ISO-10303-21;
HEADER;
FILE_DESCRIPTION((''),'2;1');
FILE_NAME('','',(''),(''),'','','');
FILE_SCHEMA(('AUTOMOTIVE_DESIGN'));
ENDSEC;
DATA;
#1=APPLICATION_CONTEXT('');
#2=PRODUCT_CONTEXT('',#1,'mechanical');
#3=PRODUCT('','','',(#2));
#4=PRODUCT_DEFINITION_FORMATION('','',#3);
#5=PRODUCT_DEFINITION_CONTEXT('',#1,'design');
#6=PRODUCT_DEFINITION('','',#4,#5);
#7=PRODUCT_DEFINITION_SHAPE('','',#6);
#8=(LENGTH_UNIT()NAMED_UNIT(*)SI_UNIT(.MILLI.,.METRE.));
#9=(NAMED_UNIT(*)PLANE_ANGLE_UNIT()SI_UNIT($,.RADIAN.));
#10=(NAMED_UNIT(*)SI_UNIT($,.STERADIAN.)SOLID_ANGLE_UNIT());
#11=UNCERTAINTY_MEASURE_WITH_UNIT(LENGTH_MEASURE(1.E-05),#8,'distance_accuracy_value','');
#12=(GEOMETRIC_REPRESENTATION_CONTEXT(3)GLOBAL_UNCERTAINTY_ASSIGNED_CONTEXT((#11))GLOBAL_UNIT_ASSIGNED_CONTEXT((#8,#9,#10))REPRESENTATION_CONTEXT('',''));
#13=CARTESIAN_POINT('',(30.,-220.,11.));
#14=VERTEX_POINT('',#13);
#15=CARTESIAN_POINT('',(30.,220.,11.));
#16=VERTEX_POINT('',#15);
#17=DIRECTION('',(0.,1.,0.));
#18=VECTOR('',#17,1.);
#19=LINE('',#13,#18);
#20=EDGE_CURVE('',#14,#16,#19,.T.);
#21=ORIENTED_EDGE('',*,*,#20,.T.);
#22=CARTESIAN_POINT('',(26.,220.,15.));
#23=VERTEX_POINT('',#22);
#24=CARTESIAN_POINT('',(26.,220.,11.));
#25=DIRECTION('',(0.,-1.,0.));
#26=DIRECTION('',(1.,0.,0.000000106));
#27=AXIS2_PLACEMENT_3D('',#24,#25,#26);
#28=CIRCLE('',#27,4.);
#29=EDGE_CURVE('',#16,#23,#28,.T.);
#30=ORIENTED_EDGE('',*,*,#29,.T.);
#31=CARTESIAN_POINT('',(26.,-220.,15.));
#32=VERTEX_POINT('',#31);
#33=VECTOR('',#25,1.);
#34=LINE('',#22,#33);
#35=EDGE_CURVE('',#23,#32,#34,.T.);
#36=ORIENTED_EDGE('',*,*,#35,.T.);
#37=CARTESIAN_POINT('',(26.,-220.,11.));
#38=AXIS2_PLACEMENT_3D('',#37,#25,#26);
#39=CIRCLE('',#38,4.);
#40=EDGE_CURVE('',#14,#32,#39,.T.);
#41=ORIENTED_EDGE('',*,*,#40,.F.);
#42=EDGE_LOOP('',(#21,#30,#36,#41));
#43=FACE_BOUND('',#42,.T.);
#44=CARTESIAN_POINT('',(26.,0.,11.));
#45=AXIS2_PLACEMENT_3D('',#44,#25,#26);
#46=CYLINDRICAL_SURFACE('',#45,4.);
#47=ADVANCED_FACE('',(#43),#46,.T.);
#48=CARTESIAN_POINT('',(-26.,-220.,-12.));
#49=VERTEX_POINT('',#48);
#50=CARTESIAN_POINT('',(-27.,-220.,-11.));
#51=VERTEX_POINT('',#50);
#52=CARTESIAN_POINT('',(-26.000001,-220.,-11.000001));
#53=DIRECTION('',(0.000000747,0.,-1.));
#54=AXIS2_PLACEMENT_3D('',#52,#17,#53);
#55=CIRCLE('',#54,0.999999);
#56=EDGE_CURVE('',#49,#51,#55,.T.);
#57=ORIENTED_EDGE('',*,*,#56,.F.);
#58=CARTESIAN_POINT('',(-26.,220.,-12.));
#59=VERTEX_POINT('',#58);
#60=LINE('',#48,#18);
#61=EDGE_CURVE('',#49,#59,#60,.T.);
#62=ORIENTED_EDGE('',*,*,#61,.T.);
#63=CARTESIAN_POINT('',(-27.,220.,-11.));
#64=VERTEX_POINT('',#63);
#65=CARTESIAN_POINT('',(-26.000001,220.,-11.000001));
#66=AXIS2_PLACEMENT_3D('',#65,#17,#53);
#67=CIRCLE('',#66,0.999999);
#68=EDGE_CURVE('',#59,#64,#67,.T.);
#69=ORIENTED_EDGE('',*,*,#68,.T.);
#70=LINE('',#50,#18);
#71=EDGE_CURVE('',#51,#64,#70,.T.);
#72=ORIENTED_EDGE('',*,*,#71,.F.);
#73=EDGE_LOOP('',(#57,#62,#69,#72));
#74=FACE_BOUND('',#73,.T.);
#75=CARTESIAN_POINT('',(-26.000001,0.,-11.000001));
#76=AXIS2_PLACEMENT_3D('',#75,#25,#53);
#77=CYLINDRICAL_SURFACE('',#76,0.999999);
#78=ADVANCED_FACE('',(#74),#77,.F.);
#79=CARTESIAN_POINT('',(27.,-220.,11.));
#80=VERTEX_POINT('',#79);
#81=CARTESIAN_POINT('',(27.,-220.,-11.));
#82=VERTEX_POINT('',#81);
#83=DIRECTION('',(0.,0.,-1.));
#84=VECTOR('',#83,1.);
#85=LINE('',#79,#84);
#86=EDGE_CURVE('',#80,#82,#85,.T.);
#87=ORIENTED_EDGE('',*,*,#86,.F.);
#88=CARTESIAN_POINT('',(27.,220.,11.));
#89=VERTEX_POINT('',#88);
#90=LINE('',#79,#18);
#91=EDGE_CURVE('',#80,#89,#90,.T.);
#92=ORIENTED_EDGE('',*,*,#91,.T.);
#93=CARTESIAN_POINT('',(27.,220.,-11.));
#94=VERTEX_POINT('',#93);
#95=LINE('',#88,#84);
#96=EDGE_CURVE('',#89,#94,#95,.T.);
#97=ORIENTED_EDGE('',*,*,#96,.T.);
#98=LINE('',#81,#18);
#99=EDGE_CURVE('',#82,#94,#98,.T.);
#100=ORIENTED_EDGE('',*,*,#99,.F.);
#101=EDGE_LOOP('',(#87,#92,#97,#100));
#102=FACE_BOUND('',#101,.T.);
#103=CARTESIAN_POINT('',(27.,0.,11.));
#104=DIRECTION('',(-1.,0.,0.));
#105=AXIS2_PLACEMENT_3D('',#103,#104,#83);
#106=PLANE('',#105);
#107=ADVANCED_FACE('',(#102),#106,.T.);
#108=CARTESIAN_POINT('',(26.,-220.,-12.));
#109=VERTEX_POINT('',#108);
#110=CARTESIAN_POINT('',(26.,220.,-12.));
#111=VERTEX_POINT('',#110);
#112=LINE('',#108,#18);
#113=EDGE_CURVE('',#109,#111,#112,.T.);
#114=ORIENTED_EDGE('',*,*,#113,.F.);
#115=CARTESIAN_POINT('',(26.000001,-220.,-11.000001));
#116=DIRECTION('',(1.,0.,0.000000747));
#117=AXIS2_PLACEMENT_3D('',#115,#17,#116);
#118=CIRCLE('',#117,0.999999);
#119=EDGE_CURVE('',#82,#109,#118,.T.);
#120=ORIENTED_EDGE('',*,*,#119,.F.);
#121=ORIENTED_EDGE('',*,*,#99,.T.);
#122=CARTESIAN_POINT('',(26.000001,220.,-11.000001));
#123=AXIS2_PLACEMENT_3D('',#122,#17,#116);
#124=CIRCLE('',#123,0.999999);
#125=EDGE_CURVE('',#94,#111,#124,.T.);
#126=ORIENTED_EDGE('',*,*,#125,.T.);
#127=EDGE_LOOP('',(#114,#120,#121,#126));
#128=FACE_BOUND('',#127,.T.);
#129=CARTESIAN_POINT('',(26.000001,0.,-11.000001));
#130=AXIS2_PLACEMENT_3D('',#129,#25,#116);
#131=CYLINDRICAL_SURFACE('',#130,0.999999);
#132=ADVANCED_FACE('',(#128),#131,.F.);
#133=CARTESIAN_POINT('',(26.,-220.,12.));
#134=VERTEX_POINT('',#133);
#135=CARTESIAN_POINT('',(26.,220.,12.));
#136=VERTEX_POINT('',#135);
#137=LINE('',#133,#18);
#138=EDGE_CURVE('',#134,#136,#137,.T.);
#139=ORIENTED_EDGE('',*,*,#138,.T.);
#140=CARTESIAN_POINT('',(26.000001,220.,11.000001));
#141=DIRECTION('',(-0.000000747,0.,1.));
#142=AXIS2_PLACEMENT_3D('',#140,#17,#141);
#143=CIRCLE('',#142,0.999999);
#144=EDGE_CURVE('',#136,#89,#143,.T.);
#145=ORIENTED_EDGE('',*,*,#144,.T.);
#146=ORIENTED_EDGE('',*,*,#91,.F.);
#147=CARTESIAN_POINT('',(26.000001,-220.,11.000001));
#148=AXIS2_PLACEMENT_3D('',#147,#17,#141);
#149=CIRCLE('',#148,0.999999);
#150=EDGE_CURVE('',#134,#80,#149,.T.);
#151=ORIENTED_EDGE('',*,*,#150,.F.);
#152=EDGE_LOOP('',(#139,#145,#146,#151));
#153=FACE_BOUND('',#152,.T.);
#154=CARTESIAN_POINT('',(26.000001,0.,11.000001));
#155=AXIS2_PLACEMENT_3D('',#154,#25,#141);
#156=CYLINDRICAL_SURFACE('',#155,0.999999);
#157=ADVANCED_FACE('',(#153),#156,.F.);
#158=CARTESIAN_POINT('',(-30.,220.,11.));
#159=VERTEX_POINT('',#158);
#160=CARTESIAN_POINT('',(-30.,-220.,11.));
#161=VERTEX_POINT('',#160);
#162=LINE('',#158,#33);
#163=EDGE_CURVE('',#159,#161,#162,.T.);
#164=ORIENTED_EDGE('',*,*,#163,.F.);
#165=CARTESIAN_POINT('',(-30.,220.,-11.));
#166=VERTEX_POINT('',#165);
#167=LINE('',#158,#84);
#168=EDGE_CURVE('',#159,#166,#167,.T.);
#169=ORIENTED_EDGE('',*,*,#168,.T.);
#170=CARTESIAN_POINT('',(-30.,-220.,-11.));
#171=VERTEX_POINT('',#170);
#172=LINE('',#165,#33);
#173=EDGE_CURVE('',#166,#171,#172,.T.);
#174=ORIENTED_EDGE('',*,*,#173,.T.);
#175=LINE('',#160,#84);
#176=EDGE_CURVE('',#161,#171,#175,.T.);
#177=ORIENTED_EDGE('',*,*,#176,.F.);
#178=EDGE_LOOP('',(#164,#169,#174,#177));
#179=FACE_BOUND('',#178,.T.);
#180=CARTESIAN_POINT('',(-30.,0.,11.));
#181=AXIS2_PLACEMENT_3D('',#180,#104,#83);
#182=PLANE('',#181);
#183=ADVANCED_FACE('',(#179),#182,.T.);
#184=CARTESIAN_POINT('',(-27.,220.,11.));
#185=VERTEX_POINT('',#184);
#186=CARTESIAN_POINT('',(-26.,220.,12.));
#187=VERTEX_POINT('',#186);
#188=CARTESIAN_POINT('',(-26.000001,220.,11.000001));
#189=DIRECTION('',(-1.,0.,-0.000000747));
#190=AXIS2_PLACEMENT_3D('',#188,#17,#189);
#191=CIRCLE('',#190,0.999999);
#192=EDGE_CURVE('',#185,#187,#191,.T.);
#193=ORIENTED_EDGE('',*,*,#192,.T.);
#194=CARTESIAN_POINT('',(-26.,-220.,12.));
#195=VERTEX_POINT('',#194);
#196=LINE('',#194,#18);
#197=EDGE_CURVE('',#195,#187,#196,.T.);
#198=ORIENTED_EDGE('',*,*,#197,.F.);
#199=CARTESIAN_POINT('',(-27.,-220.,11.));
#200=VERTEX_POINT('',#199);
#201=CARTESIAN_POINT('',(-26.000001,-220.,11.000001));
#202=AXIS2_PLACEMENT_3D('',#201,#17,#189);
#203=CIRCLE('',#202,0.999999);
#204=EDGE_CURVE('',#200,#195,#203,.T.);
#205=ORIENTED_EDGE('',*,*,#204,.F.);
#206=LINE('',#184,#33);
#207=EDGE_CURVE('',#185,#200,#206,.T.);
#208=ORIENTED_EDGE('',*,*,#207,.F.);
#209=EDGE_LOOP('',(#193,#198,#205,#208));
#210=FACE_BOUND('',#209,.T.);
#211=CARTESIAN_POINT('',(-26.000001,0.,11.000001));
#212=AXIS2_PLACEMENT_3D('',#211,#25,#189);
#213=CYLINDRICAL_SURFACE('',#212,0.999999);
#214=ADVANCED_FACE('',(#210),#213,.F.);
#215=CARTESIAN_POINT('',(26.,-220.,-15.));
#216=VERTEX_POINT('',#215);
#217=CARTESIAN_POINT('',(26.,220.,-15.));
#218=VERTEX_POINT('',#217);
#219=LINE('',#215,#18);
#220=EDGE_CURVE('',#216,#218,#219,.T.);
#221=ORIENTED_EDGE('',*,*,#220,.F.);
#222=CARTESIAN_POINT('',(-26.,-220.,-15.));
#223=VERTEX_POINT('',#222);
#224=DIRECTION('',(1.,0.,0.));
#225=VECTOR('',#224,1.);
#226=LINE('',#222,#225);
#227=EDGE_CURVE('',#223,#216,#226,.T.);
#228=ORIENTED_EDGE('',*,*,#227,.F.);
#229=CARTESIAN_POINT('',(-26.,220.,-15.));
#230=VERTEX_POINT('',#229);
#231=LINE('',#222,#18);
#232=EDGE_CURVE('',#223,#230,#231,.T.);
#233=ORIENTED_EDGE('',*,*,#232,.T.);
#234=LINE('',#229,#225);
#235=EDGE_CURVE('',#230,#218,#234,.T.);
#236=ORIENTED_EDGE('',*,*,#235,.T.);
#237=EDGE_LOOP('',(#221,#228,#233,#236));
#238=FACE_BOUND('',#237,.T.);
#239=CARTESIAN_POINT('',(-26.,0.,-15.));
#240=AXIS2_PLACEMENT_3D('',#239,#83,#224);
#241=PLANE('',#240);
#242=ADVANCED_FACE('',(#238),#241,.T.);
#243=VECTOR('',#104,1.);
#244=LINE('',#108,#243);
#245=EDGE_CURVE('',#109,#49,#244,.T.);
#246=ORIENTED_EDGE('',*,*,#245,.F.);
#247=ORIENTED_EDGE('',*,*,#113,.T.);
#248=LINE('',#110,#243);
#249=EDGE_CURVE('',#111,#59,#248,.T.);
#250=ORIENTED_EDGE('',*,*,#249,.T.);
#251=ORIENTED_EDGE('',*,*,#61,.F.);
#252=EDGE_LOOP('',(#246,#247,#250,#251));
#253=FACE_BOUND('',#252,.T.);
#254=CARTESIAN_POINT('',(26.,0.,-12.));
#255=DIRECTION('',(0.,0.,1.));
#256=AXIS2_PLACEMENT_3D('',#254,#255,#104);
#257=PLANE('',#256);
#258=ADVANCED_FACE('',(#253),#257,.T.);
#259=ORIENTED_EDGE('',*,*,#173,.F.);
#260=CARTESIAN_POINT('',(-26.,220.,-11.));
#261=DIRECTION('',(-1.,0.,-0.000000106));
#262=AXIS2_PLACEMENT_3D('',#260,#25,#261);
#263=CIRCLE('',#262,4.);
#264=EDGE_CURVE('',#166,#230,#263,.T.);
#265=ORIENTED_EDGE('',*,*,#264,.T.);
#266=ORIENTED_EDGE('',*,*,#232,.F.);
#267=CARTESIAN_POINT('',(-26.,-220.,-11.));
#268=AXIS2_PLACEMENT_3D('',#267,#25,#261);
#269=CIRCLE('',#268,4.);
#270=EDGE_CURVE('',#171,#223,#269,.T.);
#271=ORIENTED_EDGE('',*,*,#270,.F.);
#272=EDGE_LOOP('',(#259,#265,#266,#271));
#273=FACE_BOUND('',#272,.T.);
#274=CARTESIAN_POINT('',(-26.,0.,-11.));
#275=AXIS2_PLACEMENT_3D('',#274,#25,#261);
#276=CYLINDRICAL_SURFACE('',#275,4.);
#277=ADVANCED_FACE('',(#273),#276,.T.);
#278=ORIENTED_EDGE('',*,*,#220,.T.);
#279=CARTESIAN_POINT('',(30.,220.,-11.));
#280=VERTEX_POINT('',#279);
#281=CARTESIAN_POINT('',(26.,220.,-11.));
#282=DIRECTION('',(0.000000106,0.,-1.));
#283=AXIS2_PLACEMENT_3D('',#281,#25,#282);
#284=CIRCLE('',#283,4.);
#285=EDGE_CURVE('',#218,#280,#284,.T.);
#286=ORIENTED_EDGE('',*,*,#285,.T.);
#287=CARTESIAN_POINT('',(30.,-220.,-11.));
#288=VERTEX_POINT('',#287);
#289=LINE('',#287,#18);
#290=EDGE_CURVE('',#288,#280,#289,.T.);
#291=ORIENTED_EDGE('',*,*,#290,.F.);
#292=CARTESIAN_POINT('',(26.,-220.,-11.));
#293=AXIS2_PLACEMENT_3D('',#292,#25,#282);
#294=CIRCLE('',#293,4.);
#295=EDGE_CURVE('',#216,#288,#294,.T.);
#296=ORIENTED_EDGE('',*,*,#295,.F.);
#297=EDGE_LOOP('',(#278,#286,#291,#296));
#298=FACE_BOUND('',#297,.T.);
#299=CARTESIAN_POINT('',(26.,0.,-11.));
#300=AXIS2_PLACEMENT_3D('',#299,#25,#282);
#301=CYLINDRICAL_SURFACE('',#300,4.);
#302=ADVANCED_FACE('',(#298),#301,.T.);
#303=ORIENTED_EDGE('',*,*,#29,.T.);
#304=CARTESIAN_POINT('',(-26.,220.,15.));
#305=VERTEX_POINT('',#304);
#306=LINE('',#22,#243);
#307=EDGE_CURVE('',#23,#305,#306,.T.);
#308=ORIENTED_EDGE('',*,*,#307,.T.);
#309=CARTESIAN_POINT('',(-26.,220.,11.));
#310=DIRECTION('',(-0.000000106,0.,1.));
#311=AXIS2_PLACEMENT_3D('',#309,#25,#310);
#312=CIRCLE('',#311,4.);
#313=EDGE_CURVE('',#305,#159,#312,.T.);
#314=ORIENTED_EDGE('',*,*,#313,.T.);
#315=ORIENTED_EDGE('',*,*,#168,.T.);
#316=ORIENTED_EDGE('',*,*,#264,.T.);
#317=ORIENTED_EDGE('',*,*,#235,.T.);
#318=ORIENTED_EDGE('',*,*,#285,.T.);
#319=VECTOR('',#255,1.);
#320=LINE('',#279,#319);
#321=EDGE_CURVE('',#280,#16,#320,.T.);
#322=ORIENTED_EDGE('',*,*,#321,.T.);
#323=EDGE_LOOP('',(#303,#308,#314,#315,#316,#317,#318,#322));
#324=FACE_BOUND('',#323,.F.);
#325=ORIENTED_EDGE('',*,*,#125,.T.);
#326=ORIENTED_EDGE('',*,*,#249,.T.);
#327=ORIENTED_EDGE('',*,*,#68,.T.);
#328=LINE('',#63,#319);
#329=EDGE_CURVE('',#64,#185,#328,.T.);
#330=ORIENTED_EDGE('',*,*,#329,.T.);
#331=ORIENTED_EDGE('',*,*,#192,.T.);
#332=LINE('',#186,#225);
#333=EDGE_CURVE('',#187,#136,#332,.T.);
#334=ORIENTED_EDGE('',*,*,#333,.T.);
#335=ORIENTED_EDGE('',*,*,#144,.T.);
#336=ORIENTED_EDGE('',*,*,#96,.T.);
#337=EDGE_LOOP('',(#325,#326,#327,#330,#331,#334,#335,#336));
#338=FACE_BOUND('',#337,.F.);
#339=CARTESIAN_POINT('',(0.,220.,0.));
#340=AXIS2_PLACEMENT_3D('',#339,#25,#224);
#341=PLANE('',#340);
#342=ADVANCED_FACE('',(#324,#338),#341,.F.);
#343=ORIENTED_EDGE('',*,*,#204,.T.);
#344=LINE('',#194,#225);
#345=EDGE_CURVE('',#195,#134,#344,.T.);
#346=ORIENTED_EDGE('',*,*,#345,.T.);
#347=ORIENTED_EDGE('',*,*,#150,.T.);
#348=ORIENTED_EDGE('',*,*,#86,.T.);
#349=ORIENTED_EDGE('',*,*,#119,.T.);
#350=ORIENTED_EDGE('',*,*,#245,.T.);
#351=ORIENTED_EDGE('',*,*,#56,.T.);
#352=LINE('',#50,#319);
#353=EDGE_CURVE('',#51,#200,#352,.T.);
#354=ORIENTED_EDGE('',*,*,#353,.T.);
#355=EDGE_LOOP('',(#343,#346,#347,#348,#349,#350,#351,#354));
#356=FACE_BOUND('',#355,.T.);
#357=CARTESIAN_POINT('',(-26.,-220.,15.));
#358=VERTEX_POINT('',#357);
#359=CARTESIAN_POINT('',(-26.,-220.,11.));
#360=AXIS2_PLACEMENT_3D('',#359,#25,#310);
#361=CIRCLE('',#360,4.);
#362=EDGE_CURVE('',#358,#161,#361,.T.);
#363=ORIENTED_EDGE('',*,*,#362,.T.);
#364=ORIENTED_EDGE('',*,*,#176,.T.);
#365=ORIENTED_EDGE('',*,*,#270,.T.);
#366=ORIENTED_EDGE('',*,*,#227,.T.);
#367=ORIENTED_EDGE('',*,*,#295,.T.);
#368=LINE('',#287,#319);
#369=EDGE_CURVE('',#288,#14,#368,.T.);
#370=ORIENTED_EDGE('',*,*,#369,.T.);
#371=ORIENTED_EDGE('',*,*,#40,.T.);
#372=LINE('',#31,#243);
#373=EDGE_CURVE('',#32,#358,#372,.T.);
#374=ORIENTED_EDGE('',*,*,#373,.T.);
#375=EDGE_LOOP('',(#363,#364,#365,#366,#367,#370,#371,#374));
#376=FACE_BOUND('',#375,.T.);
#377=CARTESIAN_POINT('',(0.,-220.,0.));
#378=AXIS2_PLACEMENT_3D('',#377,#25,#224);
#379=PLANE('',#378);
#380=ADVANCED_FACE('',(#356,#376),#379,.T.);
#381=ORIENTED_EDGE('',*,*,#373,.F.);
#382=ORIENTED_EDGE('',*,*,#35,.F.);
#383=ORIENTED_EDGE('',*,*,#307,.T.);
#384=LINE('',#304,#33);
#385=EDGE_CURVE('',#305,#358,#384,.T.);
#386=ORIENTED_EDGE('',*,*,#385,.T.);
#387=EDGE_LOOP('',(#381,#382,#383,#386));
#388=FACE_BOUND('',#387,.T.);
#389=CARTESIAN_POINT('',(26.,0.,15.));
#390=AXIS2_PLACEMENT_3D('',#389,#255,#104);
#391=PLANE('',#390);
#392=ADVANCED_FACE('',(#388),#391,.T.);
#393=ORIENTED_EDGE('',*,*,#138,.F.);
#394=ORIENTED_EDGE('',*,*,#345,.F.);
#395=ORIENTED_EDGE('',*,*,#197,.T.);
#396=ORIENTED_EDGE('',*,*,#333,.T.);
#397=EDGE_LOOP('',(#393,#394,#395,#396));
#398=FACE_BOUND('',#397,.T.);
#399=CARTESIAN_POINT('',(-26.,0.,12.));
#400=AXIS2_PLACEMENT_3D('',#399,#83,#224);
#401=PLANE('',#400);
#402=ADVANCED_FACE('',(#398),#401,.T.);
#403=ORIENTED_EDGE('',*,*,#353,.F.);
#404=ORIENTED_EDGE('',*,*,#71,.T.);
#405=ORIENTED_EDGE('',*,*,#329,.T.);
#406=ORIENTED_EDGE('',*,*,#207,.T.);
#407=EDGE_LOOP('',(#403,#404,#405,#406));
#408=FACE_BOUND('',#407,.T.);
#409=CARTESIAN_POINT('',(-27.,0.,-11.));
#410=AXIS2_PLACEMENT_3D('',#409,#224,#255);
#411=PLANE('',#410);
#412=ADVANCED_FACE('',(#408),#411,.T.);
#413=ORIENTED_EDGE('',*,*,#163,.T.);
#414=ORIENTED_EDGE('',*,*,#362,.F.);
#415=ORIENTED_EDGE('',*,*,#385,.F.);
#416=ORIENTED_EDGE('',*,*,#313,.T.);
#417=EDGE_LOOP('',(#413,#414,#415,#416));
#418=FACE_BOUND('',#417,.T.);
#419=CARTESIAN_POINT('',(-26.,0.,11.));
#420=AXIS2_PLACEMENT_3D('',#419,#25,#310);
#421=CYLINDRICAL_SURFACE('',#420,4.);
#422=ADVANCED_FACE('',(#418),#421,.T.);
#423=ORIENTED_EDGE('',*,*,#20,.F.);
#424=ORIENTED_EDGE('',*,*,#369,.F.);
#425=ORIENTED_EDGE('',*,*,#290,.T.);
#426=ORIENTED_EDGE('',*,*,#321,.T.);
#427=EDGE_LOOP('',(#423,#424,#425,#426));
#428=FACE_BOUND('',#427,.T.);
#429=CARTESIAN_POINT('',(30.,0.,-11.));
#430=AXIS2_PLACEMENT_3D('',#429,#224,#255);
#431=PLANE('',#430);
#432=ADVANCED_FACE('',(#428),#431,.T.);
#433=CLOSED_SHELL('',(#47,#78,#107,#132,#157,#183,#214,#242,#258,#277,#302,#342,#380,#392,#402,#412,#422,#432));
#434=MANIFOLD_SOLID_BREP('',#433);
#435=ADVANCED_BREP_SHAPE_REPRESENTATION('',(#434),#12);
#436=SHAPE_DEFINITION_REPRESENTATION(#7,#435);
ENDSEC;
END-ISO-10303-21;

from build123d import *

# Parameters (mm, degrees)
F1_DEPTH = 220


with BuildPart() as f1:
    # F0 (on Front) → F1 (new body, symmetric)
    with BuildSketch(Plane.XZ):
        with BuildLine():
            ThreePointArc((30, 11), (28.828427, 13.828427), (26, 15))
            Line((26, 15), (-26, 15))
            ThreePointArc((-26, 15), (-28.828427, 13.828427), (-30, 11))
            Line((-30, 11), (-30, -11))
            ThreePointArc((-30, -11), (-28.828427, -13.828427), (-26, -15))
            Line((-26, -15), (26, -15))
            ThreePointArc((26, -15), (28.828427, -13.828427), (30, -11))
            Line((30, -11), (30, 11))
        make_face()
        with BuildLine():
            ThreePointArc((-27, 11), (-26.707107, 11.707107), (-26, 12))
            Line((-26, 12), (26, 12))
            ThreePointArc((26, 12), (26.707107, 11.707107), (27, 11))
            Line((27, 11), (27, -11))
            ThreePointArc((27, -11), (26.707107, -11.707107), (26, -12))
            Line((26, -12), (-26, -12))
            ThreePointArc((-26, -12), (-26.707107, -11.707107), (-27, -11))
            Line((-27, -11), (-27, 11))
        make_face(mode=Mode.SUBTRACT)
    extrude(amount=F1_DEPTH, both=True)


solid = f1.part
